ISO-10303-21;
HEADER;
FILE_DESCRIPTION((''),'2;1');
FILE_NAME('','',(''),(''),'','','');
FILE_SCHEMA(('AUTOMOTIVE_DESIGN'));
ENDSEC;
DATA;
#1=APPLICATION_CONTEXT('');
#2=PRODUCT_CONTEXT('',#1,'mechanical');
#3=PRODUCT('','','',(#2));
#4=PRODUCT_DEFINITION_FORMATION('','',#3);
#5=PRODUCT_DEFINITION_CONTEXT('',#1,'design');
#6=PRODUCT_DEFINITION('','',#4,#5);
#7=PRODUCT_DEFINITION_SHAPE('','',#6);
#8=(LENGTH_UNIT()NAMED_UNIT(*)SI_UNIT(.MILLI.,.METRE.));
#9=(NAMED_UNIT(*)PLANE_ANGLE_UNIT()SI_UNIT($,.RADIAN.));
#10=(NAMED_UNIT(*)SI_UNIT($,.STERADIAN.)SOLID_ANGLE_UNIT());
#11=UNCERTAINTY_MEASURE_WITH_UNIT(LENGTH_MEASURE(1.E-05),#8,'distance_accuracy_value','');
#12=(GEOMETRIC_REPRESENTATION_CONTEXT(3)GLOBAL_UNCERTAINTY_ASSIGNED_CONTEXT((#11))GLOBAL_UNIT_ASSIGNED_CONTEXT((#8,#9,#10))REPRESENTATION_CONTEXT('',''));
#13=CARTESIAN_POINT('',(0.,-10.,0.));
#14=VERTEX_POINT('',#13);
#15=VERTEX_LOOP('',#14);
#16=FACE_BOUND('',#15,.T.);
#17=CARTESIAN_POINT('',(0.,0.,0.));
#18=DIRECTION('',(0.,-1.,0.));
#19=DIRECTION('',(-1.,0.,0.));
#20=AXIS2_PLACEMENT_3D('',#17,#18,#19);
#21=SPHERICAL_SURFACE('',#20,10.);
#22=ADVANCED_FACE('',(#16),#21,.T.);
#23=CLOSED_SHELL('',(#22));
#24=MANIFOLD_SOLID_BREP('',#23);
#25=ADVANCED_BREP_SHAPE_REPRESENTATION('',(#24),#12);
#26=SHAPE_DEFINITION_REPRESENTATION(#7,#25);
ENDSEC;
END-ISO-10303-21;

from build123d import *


with BuildPart() as part:
    # Skizze1 → Rotation1 (revolve)
    with BuildSketch(Plane.XY):
        with BuildLine():
            Line((0, -10), (0, 10))
            ThreePointArc((0, 10), (10, 0), (0, -10))
        make_face()
    revolve(axis=Axis((0, -10, 0), (0, 1, 0)))


solid = part.part
